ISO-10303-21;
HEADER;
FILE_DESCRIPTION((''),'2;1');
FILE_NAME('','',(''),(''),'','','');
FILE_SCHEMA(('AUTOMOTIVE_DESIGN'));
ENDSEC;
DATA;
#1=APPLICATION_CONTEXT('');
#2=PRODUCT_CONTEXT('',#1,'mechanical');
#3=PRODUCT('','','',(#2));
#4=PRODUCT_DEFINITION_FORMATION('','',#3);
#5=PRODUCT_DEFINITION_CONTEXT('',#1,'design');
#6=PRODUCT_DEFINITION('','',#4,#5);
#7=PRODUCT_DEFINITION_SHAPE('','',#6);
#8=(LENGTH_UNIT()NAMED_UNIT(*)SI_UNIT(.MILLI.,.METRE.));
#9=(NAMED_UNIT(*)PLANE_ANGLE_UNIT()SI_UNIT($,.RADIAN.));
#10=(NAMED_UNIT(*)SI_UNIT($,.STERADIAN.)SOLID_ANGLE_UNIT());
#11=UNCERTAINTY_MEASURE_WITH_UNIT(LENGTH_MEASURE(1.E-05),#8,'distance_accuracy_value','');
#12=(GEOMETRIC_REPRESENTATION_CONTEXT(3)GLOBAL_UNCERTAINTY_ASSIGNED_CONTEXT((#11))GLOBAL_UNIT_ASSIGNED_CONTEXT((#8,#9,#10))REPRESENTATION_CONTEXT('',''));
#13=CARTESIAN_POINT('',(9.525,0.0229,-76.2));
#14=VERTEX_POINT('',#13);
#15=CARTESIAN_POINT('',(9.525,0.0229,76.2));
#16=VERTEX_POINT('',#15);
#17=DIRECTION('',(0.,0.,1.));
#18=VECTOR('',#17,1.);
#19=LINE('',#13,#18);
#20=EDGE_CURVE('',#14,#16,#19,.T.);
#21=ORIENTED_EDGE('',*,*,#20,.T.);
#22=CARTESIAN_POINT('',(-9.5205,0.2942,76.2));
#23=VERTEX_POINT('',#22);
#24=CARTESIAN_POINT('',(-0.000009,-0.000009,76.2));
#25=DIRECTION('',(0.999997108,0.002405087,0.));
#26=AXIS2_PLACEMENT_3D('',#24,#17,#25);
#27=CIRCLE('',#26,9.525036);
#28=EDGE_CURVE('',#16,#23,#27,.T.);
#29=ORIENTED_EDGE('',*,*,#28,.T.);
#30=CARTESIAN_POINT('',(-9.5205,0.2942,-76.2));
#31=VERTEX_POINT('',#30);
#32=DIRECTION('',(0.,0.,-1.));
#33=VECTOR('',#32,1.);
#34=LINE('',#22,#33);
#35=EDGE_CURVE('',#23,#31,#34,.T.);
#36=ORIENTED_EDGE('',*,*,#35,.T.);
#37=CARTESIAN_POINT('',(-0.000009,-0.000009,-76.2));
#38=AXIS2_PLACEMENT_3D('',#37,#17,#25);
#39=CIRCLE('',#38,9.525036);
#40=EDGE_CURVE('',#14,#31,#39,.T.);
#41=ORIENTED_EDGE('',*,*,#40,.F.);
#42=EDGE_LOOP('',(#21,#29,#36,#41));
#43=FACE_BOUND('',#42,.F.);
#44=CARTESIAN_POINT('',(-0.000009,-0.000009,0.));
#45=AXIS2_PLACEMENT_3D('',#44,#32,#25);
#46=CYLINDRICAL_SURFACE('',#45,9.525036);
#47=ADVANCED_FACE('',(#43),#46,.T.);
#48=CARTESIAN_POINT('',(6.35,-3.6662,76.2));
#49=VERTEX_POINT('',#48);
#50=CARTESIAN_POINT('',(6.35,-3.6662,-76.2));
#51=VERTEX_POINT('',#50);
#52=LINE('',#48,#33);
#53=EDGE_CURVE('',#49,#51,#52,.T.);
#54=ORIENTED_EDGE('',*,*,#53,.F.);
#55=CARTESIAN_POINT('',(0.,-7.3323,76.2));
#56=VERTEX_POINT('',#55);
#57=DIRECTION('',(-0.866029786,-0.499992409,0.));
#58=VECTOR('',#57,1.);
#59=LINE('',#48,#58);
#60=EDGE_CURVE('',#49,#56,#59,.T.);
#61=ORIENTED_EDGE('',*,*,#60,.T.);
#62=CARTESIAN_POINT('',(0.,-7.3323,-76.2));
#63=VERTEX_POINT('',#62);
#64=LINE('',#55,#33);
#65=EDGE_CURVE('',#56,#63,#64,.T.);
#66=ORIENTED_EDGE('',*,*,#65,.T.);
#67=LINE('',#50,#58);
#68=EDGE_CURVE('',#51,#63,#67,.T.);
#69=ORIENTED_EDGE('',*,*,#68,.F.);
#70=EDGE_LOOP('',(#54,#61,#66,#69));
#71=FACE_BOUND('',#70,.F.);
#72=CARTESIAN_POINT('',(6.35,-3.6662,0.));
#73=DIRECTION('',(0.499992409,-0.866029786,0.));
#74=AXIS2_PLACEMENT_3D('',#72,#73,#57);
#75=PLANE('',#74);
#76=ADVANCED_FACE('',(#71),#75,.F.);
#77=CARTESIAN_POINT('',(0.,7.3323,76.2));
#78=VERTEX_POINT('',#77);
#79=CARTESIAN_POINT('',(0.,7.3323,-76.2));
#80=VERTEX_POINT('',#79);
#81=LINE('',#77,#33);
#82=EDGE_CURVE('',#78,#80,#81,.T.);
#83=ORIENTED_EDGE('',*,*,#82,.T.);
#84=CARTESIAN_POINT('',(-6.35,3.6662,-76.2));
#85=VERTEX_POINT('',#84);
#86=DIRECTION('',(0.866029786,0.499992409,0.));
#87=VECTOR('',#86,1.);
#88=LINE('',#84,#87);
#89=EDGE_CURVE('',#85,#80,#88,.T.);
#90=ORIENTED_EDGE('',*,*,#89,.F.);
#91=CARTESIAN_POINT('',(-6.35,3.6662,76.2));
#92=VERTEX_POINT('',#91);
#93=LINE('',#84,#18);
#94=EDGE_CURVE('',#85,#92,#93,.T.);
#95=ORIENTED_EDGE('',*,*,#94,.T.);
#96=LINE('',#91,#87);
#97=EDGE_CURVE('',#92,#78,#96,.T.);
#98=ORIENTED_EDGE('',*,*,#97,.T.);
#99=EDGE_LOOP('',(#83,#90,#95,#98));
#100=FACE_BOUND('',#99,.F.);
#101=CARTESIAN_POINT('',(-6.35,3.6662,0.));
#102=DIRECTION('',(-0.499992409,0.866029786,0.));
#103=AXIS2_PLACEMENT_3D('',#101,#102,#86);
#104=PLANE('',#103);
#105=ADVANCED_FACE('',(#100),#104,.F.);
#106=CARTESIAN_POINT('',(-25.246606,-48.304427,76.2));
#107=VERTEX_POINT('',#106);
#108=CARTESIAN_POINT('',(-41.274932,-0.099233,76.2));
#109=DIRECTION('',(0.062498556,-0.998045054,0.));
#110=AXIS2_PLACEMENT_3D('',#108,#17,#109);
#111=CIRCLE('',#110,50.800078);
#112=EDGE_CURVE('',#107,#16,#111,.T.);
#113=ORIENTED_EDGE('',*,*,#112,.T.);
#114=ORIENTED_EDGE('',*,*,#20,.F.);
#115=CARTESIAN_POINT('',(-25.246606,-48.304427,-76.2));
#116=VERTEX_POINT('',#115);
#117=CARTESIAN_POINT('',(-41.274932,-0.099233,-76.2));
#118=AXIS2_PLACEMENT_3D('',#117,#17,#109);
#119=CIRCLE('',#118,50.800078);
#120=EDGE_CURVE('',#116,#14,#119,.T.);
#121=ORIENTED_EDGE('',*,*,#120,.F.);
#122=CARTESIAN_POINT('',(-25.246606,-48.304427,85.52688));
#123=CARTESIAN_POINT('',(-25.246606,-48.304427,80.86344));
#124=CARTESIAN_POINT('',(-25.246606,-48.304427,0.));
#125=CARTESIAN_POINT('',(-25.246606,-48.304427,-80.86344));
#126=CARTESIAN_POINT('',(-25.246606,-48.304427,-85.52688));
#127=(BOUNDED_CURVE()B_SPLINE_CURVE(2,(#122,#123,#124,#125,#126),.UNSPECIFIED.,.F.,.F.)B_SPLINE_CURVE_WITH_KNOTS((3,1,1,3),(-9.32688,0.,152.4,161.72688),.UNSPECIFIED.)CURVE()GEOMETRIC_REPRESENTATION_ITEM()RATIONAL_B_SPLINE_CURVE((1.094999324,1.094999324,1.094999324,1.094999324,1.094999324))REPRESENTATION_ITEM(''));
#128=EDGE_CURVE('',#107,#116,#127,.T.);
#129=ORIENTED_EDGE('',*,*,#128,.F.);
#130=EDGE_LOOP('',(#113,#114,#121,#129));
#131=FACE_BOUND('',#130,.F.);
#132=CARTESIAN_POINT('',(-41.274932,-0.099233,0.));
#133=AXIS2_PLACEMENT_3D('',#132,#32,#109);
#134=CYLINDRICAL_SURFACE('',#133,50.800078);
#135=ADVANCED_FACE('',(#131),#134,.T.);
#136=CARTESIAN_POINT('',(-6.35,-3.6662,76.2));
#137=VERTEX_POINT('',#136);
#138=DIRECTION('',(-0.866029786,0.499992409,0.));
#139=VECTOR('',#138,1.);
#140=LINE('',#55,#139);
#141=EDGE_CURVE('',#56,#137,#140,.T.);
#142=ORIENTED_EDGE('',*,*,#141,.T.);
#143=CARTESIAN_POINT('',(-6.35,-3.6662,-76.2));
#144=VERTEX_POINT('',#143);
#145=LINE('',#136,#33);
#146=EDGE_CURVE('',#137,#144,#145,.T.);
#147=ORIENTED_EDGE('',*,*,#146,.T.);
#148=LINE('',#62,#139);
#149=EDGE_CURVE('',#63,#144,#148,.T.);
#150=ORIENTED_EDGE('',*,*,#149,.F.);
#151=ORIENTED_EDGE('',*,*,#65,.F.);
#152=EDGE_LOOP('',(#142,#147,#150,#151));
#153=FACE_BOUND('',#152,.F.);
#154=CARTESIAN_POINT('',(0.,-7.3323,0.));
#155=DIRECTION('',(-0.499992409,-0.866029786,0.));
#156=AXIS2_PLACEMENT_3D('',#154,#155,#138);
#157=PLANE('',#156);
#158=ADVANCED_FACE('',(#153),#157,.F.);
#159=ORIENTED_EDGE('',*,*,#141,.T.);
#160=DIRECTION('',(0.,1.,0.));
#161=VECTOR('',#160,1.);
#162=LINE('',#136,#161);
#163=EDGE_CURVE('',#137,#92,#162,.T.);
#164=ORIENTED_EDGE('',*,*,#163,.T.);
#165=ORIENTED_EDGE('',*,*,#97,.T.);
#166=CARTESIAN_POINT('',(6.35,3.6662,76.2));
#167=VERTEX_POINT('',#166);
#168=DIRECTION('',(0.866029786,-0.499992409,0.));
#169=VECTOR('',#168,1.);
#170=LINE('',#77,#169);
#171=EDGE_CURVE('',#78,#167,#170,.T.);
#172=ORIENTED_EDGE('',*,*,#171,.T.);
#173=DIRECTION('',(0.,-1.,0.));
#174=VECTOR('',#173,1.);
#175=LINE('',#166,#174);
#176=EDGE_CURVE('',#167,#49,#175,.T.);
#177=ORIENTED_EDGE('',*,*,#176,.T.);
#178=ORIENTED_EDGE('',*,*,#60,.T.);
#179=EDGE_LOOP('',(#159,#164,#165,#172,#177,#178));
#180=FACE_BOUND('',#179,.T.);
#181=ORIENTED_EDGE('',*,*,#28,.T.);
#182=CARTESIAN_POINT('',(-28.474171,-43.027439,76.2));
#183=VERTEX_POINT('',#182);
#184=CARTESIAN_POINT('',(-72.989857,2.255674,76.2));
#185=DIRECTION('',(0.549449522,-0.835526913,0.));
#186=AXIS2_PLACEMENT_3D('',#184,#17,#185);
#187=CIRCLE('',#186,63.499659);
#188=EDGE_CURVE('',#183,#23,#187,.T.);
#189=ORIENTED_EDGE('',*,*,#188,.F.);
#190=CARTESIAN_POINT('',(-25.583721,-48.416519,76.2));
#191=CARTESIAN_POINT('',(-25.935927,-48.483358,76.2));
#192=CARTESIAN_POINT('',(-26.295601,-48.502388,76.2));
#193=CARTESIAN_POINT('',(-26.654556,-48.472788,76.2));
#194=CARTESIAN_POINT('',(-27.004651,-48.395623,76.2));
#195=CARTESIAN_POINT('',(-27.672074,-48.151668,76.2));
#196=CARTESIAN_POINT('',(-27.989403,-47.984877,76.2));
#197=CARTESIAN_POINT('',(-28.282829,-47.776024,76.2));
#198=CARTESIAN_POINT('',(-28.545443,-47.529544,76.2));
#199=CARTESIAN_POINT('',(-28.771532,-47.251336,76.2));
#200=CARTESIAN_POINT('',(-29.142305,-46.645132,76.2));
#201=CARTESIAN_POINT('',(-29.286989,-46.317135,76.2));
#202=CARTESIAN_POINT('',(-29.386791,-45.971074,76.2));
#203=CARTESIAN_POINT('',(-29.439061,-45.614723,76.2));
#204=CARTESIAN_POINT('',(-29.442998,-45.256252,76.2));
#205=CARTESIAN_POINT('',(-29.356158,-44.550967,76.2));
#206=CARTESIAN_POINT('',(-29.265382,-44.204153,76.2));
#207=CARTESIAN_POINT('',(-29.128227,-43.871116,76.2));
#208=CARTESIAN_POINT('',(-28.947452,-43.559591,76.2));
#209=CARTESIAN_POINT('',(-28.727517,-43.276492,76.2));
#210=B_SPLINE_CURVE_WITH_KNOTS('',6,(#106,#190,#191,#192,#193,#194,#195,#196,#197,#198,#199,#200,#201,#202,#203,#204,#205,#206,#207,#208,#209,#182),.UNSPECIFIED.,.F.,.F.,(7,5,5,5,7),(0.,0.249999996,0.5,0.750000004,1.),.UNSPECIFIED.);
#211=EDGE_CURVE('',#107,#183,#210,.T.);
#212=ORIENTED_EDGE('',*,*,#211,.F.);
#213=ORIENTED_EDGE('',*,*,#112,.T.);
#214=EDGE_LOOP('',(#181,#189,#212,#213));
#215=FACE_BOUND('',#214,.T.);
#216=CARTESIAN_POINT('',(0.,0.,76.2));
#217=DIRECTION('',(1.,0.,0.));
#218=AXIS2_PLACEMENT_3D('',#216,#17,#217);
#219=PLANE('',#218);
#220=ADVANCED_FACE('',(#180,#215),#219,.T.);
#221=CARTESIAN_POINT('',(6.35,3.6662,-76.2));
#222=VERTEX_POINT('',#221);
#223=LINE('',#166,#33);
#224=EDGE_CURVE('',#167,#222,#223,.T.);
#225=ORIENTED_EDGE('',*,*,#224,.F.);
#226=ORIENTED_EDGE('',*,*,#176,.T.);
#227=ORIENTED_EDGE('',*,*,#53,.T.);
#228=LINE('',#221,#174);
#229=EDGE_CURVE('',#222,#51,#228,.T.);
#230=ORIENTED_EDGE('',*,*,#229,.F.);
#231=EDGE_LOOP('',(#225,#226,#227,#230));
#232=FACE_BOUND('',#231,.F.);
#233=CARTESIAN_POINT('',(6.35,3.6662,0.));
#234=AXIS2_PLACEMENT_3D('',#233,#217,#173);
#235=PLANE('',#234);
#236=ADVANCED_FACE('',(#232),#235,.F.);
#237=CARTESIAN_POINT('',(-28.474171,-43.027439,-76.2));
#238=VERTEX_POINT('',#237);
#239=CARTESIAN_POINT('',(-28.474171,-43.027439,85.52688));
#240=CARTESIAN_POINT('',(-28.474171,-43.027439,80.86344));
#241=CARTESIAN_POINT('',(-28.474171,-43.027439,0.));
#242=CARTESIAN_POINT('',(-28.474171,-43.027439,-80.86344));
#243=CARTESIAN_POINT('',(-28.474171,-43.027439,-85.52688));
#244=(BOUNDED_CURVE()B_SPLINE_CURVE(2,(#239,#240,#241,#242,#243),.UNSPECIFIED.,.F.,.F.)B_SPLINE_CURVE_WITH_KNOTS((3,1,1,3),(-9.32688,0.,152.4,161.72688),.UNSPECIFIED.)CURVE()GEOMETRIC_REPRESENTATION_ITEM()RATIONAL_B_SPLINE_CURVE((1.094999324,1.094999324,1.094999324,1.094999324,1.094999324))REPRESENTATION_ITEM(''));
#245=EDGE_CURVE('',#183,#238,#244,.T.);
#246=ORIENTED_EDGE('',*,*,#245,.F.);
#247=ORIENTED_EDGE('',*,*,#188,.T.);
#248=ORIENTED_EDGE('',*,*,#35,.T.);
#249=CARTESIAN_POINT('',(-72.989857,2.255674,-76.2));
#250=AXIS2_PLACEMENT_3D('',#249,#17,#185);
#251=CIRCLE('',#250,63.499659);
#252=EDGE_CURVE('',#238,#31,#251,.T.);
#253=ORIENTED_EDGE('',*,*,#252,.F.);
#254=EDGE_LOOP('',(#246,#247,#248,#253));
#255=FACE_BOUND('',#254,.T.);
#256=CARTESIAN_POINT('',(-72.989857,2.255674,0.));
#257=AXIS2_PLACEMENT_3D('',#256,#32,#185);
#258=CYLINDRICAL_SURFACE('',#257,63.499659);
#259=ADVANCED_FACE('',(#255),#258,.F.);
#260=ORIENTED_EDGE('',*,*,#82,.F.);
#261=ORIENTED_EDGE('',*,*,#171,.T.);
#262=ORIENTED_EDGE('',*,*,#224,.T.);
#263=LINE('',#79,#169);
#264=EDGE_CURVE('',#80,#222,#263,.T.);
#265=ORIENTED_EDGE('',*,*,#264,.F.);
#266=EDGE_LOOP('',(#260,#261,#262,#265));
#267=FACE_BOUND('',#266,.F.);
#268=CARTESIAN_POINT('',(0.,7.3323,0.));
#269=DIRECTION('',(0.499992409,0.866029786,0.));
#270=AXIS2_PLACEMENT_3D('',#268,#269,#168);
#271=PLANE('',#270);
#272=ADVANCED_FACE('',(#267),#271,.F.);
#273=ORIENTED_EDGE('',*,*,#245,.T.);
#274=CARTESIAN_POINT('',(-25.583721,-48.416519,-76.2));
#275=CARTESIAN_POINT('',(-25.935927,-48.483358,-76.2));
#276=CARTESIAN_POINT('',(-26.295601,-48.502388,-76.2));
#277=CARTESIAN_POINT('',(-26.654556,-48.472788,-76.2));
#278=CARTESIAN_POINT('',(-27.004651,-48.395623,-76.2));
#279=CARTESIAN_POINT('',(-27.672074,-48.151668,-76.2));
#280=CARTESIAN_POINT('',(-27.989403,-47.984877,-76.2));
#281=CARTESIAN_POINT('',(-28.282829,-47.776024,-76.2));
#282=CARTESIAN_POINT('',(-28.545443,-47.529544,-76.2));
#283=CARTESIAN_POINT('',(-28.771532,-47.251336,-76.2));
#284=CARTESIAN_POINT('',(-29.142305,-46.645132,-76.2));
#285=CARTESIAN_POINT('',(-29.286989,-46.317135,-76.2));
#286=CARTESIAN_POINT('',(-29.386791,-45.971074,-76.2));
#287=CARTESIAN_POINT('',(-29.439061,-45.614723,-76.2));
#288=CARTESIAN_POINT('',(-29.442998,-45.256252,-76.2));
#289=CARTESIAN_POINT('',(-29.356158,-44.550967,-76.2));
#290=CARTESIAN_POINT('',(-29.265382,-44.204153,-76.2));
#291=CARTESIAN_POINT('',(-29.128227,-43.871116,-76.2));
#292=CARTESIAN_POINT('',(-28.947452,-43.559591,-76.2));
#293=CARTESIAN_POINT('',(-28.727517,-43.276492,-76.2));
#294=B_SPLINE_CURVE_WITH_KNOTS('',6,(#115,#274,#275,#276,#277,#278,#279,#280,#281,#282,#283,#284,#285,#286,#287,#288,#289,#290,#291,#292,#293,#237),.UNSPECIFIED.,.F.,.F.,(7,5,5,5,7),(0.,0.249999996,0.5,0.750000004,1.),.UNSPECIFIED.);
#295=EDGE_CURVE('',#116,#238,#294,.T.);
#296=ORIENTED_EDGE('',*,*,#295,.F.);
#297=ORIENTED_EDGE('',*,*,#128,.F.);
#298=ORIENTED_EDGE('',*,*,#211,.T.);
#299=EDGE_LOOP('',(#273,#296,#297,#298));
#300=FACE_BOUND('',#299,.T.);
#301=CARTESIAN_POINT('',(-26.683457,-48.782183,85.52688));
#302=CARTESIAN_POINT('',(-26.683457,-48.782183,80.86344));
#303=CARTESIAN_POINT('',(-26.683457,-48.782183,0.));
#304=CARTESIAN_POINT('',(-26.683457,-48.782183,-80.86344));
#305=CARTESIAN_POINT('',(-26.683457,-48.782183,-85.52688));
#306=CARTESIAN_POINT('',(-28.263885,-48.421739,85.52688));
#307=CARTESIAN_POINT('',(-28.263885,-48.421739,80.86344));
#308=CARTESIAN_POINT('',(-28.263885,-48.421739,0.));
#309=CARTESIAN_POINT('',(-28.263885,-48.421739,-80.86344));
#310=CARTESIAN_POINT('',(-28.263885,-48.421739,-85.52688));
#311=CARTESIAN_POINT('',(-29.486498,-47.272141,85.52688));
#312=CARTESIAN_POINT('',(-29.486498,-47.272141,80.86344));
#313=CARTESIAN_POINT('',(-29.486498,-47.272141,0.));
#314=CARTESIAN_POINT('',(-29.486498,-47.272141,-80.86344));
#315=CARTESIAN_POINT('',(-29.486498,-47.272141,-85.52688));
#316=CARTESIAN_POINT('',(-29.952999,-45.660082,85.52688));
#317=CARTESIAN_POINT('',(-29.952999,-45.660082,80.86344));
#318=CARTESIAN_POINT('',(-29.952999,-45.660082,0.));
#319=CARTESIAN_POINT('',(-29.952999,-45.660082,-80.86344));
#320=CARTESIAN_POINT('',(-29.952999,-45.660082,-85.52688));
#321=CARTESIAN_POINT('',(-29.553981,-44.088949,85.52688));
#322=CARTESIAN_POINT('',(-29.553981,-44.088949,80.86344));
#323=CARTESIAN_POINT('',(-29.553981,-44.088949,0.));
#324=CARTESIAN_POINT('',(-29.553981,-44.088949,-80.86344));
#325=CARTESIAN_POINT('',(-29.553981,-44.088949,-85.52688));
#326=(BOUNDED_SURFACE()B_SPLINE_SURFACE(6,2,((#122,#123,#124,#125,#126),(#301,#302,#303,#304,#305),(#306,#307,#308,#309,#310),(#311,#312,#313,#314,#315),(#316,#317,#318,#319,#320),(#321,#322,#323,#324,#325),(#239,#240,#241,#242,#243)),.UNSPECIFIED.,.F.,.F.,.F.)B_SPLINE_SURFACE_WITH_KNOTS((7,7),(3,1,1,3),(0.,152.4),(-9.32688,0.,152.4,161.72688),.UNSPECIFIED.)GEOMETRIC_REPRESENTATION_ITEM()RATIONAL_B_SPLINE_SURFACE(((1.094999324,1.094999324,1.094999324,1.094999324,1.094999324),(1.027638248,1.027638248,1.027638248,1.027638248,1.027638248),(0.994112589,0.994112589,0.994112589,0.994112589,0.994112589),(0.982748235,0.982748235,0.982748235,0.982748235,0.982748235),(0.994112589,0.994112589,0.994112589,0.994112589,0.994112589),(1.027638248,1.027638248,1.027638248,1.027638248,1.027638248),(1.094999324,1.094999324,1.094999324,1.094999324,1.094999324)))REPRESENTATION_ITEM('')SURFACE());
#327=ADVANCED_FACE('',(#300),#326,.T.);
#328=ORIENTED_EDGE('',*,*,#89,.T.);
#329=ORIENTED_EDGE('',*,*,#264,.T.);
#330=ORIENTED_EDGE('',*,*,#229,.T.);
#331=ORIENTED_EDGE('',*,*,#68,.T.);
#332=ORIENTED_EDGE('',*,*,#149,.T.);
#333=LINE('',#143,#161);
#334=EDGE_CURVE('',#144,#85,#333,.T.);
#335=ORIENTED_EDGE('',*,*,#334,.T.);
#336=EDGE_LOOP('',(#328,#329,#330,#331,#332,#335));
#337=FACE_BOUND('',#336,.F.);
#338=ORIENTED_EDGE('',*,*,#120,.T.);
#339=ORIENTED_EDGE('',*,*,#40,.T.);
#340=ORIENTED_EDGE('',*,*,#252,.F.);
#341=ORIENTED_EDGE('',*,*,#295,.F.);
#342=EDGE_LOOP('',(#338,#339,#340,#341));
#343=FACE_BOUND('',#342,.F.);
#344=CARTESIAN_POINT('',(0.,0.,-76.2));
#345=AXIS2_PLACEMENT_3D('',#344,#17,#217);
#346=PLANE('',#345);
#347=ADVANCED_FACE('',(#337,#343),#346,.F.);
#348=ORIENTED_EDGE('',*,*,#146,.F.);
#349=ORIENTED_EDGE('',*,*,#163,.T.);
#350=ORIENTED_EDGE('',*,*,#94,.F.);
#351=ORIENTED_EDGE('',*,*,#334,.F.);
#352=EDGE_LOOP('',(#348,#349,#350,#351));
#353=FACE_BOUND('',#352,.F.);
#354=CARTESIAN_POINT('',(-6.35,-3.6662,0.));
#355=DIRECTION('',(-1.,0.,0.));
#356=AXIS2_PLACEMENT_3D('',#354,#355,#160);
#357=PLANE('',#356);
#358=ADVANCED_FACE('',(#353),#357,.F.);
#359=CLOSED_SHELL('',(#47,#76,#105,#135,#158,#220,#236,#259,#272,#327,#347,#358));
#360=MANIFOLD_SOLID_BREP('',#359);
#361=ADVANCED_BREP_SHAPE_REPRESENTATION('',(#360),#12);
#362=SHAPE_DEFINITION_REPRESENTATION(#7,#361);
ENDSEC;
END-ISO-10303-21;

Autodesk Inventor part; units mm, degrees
ref_plane "YZ Plane" through (0, 0, 0) normal (1, 0, 0) x (0, 1, 0)
ref_plane "XZ Plane" through (0, 0, 0) normal (0, 1, 0) x (-1, 0, 0)
ref_plane "XY Plane" through (0, 0, 0) normal (0, 0, 1) x (1, 0, 0)
sketch "Sketch1" plane through (0, 0, 0) normal (0, 0, 1) x (1, 0, 0)
  line L0 (-6.35, 3.6662) -> (0, 7.3323)
  line L1 (0, 7.3323) -> (6.35, 3.6662)
  line L2 (6.35, 3.6662) -> (6.35, -3.6662)
  line L3 (6.35, -3.6662) -> (0, -7.3323)
  line L4 (0, -7.3323) -> (-6.35, -3.6662)
  line L5 (-6.35, -3.6662) -> (-6.35, 3.6662)
  arc A0 (9.525, 0.0229) -> (-9.5205, 0.2942) centre (0, 0) ccw
  arc A1 (-38.1, -50.8) -> (-9.5205, 0.2942) centre (-72.9901, 2.2559) ccw
  arc A2 (-38.1, -50.8) -> (9.525, 0.0229) centre (-41.2749, -0.0993) ccw
  dimension "d0" = 12.7
  dimension "d1" = 38.1
  dimension "d2" = 19.05
  dimension "d3" = 50.8
  dimension "d4" = 63.5
  dimension "d5" = 50.8
extrude "Extrusion1" add sketch "Sketch1" along normal mid plane 152.4
fillet "Fillet1" radius 3.175 1 edges at (-38.1, -50.8, 0)
properties part number "PLATE,TEARDROP,DROPBAR" material "ABS Plastic"
